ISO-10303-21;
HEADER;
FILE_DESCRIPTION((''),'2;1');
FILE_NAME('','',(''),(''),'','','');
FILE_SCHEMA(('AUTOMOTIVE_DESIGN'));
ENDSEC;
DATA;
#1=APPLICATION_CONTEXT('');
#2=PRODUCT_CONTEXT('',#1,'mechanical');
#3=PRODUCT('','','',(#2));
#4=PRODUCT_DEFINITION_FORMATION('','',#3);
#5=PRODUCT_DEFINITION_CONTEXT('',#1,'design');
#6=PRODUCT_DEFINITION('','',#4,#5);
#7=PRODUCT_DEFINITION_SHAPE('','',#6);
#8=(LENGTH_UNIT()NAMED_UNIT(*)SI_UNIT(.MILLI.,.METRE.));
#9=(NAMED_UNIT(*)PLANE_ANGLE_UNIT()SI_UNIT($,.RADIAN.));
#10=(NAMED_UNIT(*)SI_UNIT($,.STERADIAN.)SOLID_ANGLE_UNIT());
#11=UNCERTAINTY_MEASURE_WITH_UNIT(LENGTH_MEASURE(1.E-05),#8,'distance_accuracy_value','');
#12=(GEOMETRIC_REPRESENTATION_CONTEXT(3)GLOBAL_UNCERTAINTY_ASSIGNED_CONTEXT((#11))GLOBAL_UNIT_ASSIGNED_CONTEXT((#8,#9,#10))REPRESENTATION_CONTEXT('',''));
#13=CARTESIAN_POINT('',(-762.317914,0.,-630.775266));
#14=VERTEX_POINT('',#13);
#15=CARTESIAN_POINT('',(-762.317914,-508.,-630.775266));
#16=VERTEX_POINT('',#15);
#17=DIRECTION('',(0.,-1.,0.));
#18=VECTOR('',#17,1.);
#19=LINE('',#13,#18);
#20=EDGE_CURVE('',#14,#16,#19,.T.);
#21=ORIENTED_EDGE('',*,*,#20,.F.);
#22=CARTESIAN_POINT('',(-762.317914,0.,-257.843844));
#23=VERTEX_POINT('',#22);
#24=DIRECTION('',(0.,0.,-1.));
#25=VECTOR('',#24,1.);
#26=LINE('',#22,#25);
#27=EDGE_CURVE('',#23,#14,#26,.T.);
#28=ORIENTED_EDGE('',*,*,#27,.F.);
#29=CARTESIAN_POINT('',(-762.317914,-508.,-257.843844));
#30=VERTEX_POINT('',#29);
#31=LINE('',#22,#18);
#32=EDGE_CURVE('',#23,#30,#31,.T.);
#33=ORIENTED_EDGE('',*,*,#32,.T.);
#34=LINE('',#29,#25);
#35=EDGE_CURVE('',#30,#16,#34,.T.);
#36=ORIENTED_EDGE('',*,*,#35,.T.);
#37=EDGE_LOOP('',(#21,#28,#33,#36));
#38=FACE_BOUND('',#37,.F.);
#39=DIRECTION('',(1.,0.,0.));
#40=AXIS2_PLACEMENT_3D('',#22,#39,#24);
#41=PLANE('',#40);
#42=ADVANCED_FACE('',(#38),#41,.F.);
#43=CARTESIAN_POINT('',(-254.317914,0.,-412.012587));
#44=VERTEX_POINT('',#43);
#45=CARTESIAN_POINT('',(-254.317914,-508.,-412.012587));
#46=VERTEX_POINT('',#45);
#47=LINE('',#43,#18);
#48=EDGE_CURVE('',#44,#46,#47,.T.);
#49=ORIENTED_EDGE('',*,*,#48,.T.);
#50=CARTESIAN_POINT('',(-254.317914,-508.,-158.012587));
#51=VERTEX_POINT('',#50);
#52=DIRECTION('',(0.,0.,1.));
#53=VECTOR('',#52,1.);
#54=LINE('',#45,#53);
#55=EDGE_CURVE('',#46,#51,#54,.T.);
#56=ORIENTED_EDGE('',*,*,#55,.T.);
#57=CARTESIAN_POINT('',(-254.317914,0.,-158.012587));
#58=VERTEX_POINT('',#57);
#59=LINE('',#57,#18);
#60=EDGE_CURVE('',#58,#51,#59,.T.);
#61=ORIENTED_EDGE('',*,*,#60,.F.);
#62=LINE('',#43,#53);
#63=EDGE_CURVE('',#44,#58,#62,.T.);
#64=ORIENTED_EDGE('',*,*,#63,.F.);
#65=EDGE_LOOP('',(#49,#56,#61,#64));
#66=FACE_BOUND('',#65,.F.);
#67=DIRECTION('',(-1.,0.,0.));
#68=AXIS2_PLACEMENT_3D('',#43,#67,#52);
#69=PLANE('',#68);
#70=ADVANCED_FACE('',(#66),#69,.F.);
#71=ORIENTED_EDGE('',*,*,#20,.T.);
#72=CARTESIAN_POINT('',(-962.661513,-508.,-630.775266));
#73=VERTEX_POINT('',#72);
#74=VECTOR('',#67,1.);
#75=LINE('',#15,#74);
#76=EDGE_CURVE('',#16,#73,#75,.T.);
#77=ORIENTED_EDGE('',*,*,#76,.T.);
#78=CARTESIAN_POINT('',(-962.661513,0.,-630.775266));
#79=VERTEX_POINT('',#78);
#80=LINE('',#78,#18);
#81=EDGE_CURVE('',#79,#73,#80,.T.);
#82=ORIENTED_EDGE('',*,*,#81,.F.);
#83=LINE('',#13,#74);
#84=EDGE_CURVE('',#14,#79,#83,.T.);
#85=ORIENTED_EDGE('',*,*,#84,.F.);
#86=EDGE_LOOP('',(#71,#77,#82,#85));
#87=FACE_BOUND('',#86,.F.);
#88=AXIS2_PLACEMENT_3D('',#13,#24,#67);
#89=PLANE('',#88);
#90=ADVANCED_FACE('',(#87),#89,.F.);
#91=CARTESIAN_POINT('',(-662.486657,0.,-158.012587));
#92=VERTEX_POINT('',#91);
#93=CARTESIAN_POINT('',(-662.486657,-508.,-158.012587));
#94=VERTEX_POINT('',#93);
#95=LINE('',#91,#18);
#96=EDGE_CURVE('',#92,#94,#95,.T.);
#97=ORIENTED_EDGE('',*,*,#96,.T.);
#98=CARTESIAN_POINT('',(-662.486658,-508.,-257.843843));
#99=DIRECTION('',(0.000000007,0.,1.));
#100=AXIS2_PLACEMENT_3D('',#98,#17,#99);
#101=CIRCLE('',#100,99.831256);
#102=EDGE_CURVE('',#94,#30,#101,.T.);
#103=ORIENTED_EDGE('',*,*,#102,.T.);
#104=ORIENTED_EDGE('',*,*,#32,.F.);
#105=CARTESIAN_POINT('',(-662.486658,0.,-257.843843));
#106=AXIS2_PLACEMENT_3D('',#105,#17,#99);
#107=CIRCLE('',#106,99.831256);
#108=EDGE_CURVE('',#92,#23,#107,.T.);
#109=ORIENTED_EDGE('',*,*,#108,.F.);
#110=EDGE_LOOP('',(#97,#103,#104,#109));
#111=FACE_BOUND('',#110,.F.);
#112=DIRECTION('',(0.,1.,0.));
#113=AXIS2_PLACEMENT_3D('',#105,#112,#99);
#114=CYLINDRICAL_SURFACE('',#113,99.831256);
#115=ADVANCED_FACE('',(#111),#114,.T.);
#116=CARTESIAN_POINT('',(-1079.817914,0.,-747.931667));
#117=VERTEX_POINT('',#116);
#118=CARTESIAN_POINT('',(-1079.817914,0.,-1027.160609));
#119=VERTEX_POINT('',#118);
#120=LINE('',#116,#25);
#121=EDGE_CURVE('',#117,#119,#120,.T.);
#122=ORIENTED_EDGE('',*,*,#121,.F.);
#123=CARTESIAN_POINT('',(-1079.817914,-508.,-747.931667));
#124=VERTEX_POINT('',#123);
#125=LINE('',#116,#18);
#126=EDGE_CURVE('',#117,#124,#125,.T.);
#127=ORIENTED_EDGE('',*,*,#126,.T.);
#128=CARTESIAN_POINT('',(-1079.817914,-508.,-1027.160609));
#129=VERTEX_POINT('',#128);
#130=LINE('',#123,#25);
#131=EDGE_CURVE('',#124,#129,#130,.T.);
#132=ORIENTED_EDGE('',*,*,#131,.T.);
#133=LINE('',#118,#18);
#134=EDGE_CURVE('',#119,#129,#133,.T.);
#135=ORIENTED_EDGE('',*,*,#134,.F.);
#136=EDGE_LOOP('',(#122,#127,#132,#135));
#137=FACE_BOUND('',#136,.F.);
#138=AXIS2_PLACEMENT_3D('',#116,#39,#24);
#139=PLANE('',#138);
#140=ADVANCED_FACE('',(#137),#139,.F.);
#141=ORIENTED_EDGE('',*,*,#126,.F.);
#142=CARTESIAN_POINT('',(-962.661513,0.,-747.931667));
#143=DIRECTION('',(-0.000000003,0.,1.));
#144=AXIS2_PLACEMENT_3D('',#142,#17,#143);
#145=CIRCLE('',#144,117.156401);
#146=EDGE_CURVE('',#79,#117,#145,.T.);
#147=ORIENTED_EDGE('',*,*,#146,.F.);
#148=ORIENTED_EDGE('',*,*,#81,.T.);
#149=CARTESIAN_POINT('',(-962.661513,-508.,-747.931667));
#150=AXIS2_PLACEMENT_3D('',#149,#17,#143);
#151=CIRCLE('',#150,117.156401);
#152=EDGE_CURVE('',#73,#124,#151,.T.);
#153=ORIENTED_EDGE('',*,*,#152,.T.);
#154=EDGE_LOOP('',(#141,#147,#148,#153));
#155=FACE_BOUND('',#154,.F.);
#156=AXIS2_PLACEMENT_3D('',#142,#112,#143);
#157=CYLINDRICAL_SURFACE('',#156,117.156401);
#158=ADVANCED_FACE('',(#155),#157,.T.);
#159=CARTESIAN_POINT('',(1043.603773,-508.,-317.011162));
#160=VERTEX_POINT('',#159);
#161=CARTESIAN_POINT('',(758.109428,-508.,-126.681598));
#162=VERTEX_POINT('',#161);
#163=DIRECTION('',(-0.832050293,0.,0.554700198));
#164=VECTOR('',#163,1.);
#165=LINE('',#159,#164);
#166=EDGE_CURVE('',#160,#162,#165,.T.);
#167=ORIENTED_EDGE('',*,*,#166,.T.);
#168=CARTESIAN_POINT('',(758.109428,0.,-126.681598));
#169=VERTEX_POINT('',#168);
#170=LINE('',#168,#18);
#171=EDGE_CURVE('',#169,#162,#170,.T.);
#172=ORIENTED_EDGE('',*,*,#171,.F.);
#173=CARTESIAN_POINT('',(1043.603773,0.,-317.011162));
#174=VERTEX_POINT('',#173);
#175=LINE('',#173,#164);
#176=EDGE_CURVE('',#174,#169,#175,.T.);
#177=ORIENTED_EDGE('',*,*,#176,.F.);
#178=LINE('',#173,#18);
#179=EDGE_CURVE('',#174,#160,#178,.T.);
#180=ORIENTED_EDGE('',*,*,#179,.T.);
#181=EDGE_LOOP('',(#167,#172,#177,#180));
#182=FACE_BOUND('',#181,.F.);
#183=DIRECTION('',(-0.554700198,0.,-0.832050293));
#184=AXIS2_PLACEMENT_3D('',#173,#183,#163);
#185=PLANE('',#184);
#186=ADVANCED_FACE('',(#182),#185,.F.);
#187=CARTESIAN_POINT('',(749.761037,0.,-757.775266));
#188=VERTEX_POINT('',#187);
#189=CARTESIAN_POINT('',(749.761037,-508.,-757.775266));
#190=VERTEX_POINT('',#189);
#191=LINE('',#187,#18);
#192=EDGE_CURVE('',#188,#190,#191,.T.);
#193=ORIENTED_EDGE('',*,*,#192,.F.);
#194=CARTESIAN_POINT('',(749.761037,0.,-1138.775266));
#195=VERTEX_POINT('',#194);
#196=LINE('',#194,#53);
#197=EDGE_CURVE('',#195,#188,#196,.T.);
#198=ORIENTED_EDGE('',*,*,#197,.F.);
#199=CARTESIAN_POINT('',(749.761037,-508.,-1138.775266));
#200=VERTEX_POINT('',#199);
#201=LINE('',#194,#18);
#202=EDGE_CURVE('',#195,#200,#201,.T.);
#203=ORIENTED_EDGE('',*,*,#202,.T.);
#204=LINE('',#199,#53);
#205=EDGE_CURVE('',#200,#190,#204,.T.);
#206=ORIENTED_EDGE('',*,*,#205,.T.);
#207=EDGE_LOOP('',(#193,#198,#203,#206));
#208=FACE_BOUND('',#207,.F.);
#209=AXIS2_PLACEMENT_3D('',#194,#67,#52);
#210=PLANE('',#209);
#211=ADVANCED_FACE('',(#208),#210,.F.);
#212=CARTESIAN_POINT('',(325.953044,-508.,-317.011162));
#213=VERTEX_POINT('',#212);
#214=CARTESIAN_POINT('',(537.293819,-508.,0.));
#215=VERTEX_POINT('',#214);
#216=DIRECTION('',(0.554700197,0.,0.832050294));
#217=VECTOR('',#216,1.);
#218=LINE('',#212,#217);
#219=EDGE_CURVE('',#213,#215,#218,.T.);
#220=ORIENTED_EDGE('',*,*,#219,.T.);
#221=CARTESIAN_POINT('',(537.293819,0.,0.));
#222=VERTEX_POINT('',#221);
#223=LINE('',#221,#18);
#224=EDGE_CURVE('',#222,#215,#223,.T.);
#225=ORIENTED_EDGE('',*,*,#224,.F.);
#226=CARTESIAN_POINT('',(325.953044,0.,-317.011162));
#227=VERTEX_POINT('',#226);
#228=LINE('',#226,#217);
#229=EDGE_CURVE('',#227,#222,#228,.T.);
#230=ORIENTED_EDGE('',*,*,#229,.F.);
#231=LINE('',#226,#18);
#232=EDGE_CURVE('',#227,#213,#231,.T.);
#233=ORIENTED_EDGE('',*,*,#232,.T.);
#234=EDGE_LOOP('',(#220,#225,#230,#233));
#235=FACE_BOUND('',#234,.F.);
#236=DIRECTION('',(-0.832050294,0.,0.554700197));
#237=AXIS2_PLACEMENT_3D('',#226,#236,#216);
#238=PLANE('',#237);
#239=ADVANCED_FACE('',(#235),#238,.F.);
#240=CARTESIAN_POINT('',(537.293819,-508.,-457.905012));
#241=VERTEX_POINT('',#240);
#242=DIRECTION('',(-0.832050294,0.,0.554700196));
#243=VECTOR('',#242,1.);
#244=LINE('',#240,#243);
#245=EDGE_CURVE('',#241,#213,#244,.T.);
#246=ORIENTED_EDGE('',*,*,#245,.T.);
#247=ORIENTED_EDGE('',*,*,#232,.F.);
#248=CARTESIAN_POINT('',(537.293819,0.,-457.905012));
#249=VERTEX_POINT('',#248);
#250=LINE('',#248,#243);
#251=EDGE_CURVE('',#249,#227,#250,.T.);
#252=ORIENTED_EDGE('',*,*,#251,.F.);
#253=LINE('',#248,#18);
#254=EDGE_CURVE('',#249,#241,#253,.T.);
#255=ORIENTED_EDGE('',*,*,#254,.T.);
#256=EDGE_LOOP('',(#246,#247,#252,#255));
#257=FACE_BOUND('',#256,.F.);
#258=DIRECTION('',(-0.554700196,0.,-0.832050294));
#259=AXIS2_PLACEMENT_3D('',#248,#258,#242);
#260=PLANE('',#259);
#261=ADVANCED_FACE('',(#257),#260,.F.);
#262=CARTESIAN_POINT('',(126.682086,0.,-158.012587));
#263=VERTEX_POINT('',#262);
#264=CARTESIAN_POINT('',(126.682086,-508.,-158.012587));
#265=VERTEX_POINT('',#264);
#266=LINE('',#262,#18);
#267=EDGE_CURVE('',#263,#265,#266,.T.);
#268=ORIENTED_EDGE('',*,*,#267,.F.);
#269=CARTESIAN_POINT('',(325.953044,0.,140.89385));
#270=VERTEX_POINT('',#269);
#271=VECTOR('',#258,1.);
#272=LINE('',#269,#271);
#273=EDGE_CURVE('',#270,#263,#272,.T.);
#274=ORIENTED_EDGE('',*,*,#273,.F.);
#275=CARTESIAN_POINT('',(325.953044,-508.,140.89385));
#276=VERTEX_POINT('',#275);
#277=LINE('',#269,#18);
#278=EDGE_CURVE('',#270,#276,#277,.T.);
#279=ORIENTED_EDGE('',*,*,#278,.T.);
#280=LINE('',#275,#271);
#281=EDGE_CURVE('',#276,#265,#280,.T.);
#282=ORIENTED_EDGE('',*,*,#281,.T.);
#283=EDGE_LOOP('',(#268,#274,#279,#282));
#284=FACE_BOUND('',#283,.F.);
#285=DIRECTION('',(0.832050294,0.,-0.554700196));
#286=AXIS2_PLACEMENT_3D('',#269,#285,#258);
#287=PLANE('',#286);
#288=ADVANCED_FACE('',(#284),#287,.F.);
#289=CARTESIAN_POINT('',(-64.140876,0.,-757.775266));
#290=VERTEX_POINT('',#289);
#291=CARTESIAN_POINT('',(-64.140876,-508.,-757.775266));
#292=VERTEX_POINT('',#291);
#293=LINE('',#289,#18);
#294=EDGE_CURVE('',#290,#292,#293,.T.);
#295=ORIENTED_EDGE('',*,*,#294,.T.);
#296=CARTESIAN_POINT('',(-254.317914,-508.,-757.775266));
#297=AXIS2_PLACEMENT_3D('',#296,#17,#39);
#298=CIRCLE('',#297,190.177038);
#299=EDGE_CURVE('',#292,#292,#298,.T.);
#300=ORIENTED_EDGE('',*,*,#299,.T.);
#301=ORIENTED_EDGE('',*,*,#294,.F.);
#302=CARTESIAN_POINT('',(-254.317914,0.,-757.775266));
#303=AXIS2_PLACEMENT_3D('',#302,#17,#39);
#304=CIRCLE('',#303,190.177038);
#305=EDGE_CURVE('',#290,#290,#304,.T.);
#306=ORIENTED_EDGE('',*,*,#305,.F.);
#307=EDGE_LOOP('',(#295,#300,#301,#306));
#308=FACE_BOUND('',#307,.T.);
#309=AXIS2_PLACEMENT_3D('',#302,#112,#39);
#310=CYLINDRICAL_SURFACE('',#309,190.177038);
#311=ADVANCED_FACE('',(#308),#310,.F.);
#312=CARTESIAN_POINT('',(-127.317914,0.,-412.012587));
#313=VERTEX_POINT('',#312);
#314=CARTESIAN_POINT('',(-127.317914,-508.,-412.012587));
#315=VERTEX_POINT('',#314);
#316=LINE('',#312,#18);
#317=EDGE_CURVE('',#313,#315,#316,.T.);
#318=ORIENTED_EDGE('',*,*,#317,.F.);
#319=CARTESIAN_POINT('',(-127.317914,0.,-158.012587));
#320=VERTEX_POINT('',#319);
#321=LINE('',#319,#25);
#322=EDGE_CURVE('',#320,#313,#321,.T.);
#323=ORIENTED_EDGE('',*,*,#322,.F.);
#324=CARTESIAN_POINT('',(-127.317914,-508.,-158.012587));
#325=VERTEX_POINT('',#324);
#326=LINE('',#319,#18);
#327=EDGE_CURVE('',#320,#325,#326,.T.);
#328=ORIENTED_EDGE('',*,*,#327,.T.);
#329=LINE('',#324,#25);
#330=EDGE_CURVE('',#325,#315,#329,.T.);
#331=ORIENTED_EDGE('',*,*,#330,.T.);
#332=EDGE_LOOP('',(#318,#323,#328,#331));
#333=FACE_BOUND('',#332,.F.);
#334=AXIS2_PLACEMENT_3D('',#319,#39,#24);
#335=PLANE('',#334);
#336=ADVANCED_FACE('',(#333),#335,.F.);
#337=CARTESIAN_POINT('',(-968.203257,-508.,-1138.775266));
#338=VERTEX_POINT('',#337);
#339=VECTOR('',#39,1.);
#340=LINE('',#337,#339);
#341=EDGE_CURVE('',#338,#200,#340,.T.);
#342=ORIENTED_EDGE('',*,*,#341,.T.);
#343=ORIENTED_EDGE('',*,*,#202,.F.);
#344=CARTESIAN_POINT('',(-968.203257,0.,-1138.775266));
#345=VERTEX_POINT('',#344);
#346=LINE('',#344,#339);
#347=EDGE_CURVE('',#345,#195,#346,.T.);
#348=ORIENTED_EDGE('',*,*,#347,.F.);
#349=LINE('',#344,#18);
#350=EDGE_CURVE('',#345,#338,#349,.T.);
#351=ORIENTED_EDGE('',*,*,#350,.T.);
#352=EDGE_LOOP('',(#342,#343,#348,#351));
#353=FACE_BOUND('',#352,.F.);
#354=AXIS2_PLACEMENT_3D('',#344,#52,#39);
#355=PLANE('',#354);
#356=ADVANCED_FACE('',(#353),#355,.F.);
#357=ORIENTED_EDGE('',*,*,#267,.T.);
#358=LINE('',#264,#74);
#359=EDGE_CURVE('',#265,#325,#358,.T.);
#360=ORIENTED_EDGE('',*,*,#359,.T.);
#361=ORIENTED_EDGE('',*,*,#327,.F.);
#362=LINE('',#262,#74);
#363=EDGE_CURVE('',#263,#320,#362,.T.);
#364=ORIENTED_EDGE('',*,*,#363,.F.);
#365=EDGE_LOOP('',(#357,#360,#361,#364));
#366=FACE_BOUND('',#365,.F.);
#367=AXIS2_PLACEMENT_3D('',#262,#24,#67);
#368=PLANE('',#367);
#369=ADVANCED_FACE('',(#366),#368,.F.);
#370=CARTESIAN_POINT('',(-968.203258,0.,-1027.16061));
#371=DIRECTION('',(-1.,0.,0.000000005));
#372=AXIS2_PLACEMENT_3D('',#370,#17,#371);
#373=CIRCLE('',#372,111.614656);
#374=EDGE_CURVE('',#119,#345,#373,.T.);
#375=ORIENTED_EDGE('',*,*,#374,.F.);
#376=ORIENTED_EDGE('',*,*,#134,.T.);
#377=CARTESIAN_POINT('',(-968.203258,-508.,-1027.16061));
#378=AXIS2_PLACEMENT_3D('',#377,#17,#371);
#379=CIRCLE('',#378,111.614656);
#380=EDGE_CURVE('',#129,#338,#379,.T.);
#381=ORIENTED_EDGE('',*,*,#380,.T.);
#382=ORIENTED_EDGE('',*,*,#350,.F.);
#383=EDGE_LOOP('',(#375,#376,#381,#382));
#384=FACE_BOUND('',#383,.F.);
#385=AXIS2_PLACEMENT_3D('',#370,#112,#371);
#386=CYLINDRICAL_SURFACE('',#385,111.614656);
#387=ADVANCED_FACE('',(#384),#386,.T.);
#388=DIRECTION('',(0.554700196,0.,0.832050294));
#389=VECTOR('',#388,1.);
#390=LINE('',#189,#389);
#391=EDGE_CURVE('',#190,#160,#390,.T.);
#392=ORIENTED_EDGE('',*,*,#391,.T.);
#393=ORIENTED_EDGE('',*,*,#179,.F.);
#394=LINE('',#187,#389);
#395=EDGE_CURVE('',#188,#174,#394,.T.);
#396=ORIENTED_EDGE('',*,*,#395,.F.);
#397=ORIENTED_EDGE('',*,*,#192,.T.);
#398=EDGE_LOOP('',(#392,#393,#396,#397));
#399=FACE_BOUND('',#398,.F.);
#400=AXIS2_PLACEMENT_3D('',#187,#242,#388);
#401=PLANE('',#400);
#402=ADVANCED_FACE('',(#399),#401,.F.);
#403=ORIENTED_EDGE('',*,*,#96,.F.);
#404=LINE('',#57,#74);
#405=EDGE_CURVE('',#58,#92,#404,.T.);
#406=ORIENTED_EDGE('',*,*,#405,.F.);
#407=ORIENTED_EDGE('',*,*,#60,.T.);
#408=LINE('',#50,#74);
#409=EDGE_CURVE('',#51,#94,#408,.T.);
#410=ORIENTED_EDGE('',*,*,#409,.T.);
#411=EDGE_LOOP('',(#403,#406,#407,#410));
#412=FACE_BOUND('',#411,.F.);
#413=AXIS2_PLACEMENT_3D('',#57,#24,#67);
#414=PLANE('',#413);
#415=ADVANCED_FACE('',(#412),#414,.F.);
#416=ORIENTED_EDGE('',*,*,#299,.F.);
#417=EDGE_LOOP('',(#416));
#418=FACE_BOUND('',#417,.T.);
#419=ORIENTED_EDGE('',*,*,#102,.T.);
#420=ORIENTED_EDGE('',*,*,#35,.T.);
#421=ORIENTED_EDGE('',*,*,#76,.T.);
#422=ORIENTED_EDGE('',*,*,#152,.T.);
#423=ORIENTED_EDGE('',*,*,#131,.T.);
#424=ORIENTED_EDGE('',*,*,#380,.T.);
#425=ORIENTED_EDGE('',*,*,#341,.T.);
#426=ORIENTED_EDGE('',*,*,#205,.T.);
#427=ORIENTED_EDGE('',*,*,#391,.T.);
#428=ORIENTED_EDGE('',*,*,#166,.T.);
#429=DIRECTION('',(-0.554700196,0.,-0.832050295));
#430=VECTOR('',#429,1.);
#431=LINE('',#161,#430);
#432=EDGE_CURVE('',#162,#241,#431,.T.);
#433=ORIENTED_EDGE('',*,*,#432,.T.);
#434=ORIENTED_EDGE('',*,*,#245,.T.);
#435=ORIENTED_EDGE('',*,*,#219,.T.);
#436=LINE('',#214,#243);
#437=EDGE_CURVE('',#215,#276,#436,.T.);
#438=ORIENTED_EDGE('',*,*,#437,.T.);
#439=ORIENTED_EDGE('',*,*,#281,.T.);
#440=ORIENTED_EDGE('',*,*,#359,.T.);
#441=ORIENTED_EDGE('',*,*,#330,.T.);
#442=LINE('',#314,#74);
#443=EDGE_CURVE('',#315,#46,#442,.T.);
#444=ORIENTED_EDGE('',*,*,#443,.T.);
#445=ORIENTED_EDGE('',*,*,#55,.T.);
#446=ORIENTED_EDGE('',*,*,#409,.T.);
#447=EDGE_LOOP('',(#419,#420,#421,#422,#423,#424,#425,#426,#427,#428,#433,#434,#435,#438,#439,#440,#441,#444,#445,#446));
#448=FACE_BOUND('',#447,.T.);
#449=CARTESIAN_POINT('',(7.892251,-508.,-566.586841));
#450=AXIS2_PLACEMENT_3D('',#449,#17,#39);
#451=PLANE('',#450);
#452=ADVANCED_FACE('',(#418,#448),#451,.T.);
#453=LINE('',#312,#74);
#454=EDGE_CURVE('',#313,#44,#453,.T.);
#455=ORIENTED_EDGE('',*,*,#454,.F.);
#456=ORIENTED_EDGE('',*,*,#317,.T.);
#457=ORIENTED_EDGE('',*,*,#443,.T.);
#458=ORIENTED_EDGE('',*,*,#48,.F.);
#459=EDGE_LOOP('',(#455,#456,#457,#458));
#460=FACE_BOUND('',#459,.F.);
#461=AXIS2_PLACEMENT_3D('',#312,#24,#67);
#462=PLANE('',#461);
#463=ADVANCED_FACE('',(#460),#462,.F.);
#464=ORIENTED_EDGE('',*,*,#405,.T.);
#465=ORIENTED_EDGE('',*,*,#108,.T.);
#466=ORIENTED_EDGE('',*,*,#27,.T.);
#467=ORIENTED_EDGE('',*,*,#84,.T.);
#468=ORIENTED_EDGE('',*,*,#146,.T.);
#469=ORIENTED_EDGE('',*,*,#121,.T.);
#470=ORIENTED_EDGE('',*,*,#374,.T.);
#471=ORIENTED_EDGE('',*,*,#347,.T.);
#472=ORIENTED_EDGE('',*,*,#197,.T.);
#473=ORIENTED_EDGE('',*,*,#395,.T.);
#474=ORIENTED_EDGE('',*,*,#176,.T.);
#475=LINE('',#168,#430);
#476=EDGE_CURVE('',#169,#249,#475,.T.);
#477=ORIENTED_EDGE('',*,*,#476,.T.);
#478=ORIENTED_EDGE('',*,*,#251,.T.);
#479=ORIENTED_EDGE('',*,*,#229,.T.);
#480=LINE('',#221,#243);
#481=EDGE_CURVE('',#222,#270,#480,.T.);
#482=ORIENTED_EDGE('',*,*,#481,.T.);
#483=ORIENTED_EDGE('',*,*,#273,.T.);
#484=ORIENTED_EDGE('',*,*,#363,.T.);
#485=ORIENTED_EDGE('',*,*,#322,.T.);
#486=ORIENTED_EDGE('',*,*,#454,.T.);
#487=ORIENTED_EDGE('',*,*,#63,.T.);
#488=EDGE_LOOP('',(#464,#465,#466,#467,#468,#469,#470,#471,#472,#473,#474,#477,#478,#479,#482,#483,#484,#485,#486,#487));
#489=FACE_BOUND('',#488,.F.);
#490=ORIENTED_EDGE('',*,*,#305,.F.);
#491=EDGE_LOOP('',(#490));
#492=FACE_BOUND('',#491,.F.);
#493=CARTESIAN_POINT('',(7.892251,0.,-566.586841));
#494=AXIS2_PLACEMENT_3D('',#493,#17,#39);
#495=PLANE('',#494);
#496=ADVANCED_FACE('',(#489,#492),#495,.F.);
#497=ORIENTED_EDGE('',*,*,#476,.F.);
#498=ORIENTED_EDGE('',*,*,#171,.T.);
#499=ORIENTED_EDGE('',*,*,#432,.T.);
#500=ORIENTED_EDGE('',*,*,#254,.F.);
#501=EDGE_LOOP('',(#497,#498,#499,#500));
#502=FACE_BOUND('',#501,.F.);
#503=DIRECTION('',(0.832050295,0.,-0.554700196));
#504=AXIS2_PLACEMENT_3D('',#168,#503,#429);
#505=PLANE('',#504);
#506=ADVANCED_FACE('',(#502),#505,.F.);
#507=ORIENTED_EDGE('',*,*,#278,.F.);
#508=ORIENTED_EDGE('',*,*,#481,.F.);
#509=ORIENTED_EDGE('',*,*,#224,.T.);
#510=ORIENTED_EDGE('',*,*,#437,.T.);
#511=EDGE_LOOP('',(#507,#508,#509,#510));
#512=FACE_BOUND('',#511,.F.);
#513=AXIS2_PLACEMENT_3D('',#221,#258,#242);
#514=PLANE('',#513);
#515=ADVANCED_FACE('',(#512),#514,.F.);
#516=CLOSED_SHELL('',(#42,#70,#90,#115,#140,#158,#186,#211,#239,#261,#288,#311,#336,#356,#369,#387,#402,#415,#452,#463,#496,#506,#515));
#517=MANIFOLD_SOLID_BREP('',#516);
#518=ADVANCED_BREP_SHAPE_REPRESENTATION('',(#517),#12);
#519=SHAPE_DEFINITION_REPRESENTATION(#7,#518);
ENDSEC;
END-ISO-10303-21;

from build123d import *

# Parameters (mm, degrees)
F0_R     = 190.177038
F1_DEPTH = 508


with BuildPart() as f1:
    # F0 (on Front) → F1 (new body)
    with BuildSketch(Plane.XZ):
        with BuildLine():
            Line((-762.317914, -257.843844), (-762.317914, -630.775266))
            Line((-762.317914, -630.775266), (-962.661513, -630.775266))
            ThreePointArc((-962.661513, -630.775266), (-1045.503599, -665.089582), (-1079.817914, -747.931667))
            Line((-1079.817914, -747.931667), (-1079.817914, -1027.160609))
            ThreePointArc((-1079.817914, -1027.160609), (-1047.126738, -1106.08409), (-968.203257, -1138.775266))
            Line((-968.203257, -1138.775266), (749.761037, -1138.775266))
            Line((749.761037, -1138.775266), (749.761037, -757.775266))
            Line((749.761037, -757.775266), (1043.603773, -317.011162))
            Line((1043.603773, -317.011162), (758.109428, -126.681598))
            Line((758.109428, -126.681598), (537.293819, -457.905012))
            Line((537.293819, -457.905012), (325.953044, -317.011162))
            Line((325.953044, -317.011162), (537.293819, 0))
            Line((537.293819, 0), (325.953044, 140.89385))
            Line((325.953044, 140.89385), (126.682086, -158.012587))
            Line((126.682086, -158.012587), (-127.317914, -158.012587))
            Line((-127.317914, -158.012587), (-127.317914, -412.012587))
            Line((-127.317914, -412.012587), (-254.317914, -412.012587))
            Line((-254.317914, -412.012587), (-254.317914, -158.012587))
            Line((-254.317914, -158.012587), (-662.486657, -158.012587))
            ThreePointArc((-662.486657, -158.012587), (-733.078016, -187.252485), (-762.317914, -257.843844))
        make_face()
        with Locations((-254.317914, -757.775266)):
            Circle(F0_R, mode=Mode.SUBTRACT)
    extrude(amount=F1_DEPTH)


solid = f1.part
